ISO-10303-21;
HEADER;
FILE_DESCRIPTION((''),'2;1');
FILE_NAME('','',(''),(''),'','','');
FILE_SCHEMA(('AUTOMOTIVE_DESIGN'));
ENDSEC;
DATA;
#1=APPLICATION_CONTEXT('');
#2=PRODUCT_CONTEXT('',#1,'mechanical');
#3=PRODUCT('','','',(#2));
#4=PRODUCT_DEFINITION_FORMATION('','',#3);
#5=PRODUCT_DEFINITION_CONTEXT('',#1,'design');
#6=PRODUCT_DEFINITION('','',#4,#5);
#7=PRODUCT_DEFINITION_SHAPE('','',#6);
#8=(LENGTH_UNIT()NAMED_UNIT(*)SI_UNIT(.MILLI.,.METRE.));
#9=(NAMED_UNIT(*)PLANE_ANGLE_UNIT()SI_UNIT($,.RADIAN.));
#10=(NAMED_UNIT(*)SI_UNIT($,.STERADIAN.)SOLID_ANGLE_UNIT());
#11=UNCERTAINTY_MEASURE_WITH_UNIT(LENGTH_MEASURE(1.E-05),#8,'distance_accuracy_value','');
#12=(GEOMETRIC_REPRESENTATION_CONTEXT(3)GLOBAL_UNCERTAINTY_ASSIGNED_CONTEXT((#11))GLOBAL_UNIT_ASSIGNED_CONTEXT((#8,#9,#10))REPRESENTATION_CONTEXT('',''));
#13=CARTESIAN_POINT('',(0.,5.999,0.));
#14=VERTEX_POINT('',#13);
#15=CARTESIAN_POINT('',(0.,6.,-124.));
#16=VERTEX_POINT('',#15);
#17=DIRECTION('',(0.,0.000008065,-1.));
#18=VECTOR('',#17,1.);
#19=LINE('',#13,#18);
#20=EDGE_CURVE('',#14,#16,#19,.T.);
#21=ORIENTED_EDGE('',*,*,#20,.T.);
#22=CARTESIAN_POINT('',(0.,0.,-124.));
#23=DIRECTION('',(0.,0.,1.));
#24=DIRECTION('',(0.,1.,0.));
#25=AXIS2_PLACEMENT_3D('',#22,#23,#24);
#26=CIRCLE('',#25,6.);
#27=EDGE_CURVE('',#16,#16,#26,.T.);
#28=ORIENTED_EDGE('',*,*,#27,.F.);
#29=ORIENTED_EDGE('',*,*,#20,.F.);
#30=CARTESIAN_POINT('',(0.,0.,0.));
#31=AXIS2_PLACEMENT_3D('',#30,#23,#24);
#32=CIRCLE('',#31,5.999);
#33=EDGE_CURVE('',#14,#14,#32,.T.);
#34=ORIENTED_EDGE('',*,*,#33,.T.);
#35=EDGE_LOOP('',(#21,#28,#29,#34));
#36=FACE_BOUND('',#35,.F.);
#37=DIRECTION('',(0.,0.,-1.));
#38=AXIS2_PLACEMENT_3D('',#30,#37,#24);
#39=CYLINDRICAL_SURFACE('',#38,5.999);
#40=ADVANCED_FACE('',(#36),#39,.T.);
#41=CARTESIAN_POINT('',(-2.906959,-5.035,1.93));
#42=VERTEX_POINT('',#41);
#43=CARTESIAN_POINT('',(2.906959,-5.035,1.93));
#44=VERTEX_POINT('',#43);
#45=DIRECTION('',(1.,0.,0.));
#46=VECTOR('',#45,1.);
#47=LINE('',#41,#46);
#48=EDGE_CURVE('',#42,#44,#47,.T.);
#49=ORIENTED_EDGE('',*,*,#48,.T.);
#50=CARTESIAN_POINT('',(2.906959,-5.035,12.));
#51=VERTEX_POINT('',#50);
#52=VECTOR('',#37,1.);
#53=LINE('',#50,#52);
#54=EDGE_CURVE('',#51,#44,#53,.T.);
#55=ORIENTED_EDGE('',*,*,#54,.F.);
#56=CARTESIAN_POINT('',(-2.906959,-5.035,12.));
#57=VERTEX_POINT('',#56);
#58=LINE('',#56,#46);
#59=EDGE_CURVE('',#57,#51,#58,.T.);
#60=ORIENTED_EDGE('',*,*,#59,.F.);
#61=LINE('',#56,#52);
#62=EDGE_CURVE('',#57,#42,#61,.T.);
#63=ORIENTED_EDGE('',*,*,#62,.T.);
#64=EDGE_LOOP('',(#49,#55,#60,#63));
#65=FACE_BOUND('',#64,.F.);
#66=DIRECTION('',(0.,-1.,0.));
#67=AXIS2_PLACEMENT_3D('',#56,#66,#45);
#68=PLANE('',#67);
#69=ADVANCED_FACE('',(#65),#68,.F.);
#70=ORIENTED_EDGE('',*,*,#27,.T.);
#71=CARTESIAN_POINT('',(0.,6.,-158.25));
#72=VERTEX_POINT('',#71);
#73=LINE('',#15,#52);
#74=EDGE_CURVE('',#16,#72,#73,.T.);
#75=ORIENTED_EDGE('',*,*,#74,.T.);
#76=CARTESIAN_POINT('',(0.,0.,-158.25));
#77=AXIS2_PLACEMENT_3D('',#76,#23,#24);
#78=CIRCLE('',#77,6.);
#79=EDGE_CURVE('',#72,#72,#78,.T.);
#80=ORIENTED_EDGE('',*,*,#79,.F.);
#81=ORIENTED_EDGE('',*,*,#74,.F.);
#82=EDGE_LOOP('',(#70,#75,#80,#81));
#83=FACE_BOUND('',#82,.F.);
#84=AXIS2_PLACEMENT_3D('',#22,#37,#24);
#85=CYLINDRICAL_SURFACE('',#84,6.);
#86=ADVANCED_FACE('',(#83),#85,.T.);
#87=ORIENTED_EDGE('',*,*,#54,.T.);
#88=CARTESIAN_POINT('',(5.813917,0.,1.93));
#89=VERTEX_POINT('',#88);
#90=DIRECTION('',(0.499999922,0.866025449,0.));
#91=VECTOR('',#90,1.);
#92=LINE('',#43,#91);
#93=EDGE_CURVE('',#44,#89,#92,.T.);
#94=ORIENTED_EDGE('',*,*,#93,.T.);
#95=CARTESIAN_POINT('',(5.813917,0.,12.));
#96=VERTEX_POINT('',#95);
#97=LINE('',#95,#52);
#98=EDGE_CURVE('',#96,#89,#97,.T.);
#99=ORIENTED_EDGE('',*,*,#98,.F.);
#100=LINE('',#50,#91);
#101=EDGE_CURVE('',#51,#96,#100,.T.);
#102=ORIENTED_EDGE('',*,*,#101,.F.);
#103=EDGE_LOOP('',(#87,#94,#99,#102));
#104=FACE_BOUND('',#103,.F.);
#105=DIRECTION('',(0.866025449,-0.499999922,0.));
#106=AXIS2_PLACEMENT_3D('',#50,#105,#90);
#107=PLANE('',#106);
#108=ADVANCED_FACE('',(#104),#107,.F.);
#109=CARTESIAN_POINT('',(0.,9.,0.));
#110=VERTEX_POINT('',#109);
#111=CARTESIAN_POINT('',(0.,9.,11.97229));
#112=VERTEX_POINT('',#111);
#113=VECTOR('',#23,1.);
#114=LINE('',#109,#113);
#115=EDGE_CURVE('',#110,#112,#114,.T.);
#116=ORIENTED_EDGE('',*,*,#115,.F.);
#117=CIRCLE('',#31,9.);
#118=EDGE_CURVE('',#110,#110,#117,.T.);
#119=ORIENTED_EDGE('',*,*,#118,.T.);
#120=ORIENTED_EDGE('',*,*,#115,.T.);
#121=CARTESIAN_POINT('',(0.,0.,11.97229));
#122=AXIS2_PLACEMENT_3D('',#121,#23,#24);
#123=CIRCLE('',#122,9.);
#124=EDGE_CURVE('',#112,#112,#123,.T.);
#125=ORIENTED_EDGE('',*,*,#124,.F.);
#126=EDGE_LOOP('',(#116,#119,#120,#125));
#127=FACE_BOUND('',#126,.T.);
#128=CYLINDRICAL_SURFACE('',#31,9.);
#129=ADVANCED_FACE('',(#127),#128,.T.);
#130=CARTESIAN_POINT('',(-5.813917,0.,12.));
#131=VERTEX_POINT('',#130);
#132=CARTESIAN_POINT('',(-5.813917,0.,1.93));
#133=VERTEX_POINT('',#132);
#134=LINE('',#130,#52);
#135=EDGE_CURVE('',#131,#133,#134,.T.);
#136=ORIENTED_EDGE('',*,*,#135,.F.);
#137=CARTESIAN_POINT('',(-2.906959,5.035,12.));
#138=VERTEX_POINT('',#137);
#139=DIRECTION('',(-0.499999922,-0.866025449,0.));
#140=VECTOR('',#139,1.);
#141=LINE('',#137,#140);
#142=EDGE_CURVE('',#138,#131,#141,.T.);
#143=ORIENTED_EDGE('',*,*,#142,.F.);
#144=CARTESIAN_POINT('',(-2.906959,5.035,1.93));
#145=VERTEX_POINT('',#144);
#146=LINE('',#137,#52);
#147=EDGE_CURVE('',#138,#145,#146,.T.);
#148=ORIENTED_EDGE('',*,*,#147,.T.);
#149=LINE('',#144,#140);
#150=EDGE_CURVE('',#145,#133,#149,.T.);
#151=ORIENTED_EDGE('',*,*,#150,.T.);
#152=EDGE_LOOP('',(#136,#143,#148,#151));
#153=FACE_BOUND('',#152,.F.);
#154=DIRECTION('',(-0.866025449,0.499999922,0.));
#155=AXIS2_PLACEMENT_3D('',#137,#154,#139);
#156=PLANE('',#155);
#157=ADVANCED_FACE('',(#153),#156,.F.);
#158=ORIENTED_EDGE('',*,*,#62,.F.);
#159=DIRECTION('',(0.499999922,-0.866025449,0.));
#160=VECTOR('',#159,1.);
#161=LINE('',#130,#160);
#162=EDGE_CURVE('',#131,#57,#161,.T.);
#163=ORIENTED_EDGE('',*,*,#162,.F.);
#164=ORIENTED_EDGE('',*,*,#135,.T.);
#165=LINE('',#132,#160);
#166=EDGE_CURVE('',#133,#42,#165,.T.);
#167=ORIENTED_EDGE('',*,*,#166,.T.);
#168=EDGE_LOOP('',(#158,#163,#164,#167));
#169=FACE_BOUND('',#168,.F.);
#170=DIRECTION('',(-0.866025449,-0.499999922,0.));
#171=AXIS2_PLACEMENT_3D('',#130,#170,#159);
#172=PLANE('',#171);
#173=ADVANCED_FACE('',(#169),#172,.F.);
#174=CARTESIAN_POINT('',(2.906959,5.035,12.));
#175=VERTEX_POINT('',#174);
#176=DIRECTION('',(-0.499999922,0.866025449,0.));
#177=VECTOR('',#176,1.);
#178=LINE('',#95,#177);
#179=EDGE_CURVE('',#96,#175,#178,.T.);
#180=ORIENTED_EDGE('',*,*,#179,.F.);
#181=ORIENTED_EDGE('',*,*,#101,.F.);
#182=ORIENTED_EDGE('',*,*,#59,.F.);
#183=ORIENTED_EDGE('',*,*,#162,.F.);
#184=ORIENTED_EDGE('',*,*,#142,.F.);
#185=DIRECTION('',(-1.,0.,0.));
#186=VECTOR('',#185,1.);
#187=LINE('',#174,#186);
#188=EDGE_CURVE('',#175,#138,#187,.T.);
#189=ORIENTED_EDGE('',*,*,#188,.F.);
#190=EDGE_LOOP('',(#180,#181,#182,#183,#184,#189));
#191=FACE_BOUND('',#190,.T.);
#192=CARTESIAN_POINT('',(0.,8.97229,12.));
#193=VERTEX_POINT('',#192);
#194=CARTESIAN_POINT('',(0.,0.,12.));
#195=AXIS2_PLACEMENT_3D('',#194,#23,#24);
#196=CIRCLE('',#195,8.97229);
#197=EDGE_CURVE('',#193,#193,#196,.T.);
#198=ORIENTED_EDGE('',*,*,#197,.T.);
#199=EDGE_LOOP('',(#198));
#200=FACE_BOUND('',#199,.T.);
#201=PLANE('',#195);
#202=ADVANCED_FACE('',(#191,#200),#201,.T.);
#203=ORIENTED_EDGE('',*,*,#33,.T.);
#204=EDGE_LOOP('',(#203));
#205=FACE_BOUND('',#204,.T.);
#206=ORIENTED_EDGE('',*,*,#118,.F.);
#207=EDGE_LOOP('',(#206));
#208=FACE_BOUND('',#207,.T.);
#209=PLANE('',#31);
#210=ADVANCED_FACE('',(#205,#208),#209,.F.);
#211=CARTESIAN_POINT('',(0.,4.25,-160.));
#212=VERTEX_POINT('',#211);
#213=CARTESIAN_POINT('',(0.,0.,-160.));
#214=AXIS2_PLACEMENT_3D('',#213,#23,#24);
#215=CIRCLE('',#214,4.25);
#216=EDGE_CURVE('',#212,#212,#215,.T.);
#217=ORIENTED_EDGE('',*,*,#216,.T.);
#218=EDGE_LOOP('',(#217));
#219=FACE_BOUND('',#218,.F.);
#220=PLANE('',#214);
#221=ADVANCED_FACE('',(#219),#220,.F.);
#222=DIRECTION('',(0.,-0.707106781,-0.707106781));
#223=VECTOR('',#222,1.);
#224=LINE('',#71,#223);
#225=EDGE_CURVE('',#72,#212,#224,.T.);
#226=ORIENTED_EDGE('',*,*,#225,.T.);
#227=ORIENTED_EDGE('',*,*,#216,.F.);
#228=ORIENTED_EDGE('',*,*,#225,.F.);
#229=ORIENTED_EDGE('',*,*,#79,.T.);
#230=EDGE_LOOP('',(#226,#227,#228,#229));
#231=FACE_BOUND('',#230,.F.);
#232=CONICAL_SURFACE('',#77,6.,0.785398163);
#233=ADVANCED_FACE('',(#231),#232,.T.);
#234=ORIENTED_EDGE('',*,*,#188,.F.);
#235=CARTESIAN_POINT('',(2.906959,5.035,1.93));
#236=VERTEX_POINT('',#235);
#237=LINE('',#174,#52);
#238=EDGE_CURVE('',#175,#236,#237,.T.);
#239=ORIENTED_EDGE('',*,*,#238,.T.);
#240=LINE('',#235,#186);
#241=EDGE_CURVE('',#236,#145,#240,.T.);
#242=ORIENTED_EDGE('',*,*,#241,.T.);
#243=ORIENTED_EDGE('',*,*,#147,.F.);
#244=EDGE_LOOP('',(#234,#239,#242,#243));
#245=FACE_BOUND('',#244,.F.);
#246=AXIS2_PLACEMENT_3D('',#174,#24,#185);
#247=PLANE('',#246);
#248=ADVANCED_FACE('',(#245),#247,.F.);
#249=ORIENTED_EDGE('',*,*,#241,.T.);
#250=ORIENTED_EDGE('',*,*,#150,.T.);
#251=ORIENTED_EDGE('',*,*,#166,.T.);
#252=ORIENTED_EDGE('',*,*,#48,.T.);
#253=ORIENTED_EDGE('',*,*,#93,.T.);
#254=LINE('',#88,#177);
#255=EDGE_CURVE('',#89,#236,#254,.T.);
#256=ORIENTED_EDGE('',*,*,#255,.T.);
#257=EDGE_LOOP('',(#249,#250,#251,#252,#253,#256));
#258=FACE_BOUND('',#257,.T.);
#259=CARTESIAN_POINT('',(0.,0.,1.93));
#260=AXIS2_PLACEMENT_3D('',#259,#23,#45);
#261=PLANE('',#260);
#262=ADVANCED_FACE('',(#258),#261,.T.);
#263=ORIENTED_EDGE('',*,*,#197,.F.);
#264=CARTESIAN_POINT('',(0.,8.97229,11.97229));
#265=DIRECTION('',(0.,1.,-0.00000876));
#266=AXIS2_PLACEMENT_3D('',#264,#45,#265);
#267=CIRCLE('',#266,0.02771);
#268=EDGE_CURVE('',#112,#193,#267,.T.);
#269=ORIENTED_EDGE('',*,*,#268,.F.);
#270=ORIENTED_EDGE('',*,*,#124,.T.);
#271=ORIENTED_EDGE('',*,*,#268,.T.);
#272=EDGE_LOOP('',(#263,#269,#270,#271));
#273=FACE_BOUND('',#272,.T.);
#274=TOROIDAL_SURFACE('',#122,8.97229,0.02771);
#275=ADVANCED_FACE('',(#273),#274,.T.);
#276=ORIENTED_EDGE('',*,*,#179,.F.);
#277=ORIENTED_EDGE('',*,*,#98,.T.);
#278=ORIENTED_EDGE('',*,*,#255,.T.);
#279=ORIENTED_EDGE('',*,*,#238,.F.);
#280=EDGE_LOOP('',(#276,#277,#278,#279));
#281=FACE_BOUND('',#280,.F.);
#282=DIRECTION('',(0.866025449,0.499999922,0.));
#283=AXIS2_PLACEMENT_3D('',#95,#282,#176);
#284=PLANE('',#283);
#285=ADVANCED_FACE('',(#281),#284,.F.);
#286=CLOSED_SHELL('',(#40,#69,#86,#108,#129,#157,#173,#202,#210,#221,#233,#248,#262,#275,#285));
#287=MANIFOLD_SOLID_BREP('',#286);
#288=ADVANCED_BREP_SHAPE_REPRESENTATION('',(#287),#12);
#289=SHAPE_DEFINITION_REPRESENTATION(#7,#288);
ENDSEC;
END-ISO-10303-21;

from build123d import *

# Parameters (mm, degrees)
POCKET_DEPTH = 10.07


with BuildPart() as part:
    # Sketch → Revolve (revolve)
    with BuildSketch(Plane.YZ):
        with BuildLine():
            Line((5.999, 0), (9, 0))
            Line((9, 0), (9, 11.97229))
            ThreePointArc((9, 11.97229), (8.991884, 11.991884), (8.97229, 12))
            Line((8.97229, 12), (0, 12))
            Line((0, -160), (0, 12))
            Line((4.25, -160), (0, -160))
            Line((6, -158.25), (4.25, -160))
            Line((6, -124), (6, -158.25))
            Line((5.999, 0), (6, -124))
        make_face()
    revolve(axis=Axis((0, 0, 0), (0, 0, 1)))

    # Sketch001 → Pocket (cut)
    with BuildSketch(Plane.XY.offset(12)):
        Polygon((5.813917, 0), (2.906959, 5.035), (-2.906959, 5.035), (-5.813917, 0), (-2.906959, -5.035), (2.906959, -5.035), align=None)
    extrude(amount=-POCKET_DEPTH, mode=Mode.SUBTRACT)


solid = part.part
